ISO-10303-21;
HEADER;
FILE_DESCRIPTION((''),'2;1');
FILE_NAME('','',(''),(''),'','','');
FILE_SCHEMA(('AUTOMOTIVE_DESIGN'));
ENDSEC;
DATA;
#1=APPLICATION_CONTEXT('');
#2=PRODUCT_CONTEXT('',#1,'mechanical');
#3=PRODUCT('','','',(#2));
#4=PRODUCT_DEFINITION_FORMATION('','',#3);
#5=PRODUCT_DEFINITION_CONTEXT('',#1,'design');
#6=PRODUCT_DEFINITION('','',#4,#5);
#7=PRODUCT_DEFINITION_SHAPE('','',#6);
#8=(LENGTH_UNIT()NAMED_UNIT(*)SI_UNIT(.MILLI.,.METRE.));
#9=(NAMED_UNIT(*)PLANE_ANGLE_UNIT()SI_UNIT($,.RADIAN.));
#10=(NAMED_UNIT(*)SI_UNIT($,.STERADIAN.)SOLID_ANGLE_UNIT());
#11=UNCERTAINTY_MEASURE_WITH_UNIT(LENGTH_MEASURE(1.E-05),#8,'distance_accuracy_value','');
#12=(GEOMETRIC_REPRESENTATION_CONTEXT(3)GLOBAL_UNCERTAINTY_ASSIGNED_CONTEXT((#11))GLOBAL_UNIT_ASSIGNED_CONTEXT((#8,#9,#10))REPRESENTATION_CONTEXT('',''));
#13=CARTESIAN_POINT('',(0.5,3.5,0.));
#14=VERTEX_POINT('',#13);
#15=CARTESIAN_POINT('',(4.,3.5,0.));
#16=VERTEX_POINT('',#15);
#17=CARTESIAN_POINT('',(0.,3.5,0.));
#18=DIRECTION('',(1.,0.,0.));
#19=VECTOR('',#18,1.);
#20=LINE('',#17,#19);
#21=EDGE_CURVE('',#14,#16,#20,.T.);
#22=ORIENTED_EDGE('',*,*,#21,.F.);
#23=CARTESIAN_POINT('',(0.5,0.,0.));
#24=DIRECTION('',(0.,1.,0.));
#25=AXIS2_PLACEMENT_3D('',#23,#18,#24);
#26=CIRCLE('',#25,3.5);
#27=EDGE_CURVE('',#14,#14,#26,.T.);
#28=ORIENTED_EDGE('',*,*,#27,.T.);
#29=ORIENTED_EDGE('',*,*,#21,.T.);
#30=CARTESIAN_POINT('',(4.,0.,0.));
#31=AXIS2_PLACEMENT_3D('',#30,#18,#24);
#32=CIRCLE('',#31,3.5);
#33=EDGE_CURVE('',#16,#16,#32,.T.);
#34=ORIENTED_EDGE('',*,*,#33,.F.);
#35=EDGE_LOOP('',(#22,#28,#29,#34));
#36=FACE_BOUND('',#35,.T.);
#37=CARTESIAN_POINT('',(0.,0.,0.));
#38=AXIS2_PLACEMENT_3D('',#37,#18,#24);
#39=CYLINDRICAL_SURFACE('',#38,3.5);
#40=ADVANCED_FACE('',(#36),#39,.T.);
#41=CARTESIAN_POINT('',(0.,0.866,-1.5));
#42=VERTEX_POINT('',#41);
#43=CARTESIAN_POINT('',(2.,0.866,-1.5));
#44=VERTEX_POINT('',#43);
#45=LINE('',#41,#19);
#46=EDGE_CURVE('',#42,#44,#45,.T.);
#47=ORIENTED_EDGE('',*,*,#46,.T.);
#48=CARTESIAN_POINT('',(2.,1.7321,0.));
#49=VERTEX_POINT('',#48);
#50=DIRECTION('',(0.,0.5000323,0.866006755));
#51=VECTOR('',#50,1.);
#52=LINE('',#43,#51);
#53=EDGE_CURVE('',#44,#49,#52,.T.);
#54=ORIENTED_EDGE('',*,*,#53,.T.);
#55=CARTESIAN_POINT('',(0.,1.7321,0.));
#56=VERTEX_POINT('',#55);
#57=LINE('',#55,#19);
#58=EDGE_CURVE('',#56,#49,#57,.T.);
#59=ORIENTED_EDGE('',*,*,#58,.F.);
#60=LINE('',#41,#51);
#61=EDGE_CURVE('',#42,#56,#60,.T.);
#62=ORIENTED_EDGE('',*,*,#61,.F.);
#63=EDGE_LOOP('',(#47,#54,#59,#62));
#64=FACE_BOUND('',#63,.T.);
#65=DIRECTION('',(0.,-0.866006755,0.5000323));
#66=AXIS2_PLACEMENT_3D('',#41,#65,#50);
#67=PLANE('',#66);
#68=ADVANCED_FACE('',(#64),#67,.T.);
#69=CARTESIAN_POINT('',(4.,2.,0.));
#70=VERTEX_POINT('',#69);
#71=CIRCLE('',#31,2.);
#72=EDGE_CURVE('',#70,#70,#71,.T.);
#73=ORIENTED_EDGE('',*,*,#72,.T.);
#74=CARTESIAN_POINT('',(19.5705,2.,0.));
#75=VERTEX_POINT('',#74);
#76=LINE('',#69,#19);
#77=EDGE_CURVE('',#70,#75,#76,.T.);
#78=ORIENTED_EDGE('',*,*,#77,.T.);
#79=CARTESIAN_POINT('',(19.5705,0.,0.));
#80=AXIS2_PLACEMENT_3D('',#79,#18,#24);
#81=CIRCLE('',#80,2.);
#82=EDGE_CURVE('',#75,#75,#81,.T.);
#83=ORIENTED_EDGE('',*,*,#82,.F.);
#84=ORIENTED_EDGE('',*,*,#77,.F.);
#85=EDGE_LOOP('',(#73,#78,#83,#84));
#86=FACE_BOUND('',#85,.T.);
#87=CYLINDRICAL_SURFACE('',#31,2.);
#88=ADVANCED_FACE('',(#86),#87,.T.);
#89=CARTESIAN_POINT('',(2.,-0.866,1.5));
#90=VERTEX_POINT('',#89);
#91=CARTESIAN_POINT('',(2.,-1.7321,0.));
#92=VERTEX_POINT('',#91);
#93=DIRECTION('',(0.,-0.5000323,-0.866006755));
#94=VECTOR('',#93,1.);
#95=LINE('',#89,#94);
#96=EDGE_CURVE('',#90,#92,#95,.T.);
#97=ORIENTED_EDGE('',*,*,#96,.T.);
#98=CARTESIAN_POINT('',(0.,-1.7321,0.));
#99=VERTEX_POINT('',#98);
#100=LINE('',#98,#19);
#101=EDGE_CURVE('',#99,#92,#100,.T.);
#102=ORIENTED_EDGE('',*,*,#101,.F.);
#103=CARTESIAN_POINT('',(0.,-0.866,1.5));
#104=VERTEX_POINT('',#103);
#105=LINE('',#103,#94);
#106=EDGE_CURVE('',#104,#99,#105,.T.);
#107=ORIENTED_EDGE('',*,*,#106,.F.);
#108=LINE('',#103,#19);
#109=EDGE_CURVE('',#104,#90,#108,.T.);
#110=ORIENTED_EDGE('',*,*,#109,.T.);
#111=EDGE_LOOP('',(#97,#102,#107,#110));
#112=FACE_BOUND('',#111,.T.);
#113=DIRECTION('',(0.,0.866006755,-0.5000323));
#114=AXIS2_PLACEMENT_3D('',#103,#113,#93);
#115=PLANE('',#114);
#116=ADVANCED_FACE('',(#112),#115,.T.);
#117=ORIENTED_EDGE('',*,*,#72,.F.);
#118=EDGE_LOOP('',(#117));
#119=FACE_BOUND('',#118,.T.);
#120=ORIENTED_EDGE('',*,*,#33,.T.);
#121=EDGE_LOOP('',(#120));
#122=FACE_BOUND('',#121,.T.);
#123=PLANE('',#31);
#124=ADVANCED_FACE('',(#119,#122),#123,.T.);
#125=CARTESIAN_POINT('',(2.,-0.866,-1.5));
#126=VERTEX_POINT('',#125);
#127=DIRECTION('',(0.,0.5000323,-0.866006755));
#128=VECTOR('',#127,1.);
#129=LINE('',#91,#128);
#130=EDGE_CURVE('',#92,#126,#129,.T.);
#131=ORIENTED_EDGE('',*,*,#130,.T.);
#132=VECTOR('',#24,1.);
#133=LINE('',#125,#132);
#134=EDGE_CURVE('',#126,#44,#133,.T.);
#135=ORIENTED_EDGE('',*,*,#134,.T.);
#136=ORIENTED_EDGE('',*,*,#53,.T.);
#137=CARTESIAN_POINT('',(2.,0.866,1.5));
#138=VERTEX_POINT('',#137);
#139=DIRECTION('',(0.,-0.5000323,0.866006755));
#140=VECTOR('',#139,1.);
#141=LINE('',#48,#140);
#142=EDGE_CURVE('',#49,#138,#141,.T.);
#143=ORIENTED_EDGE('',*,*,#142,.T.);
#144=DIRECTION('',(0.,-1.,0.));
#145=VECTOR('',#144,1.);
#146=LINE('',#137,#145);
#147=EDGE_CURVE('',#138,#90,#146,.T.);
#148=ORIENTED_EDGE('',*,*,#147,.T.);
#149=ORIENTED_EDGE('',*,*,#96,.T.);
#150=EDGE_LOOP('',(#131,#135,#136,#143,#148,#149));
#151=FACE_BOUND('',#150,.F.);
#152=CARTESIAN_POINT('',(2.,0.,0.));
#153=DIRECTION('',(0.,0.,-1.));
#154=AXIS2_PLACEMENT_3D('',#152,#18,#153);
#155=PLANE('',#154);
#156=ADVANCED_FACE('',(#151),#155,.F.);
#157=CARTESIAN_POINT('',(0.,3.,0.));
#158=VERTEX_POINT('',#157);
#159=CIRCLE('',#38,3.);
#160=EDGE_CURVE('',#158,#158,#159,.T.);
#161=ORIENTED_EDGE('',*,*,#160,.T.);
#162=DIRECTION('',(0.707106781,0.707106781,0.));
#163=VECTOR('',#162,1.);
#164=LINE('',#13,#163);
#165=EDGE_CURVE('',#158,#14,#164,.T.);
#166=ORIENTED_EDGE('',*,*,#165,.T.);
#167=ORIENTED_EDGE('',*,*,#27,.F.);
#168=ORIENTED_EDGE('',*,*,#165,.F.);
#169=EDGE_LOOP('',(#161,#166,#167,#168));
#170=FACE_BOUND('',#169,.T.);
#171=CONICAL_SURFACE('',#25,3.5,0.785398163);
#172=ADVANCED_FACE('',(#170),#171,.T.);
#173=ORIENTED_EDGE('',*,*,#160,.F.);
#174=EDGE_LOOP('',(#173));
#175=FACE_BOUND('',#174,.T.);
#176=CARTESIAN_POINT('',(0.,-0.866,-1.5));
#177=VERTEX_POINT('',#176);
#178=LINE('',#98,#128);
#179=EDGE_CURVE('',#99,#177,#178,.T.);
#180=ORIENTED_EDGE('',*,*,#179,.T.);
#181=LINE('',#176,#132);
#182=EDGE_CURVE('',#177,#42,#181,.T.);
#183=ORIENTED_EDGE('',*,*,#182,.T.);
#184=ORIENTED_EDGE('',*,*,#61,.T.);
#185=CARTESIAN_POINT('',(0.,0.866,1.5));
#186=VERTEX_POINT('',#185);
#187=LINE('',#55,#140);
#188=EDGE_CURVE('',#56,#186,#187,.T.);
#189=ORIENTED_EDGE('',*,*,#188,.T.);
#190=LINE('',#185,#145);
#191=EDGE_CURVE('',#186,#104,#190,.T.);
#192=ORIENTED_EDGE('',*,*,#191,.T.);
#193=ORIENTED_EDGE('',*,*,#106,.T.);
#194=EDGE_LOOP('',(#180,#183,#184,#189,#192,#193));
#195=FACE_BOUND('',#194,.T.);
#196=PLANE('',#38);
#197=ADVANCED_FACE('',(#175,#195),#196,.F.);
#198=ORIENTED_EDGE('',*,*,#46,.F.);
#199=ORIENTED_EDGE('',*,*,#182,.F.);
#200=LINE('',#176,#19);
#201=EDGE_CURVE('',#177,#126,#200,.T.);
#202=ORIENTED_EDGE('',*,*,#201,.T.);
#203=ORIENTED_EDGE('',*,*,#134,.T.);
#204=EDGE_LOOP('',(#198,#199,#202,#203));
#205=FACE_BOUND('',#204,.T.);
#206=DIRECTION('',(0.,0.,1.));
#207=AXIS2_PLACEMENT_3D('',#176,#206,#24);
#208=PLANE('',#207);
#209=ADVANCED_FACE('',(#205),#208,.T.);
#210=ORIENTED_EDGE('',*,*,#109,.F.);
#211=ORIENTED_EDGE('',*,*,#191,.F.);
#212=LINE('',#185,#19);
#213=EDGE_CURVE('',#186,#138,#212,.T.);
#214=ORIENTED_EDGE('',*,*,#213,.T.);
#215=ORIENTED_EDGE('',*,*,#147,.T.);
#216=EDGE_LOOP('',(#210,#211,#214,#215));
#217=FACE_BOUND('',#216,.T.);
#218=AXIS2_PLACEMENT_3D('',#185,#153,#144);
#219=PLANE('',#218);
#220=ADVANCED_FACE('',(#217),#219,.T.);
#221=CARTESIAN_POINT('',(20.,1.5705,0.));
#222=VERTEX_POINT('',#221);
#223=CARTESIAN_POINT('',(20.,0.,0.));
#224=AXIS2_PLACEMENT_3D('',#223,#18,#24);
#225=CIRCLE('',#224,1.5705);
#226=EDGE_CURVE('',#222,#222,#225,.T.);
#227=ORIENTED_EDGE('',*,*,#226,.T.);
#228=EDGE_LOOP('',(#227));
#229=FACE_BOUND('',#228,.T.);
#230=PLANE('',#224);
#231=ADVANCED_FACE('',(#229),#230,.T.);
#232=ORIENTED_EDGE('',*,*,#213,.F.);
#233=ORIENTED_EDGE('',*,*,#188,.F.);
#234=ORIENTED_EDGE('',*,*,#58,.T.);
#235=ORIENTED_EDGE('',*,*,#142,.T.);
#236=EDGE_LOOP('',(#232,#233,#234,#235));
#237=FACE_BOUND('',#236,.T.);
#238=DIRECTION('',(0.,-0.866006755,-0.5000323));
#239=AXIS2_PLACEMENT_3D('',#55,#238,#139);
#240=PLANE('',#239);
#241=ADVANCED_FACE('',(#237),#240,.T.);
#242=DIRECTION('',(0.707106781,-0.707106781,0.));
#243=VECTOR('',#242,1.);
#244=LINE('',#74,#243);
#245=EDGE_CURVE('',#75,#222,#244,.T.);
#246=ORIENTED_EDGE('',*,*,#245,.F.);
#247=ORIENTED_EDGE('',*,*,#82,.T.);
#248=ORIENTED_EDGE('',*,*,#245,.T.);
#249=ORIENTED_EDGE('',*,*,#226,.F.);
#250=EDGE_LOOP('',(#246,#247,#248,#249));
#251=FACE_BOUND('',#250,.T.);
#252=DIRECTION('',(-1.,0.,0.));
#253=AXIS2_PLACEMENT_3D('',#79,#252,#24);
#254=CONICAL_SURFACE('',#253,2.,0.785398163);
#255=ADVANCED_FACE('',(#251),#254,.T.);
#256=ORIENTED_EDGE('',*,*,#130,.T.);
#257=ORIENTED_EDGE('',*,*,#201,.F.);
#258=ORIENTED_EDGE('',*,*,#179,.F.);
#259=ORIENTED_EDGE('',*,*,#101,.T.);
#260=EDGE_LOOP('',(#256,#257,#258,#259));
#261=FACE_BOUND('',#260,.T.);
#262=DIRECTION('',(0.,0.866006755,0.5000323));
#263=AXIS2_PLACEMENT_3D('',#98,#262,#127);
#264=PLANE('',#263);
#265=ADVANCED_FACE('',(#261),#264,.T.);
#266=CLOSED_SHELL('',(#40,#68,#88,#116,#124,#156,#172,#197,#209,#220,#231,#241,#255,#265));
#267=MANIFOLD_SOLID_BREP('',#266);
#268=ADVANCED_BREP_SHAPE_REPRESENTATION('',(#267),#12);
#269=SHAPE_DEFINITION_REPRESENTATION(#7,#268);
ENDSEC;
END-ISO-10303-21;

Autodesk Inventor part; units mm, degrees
sketch "__1" plane through (0, 0, 0) normal (0, 0, 1) x (1, 0, 0)
  line L0 (66, 0) -> (-66, 0)
  line L1 (0, 0) -> (0, 3.5)
  line L2 (0, 3.5) -> (4, 3.5)
  line L3 (4, 3.5) -> (4, 2)
  line L4 (4, 2) -> (19.5705, 2)
  line L5 (19.5705, 2) -> (20, 1.5705)
  line L6 (20, 1.5705) -> (20, 0)
  line L7 (20, 0) -> (0, 0)
revolve "Revolution1" add sketch "__1" angle 360 about axis through (66, 0, 0) along (1, 0, 0)
thread "Thread1" size "M4x0.7" class "6g" standard "ISO Metric profile" full length
sketch "__2" plane through (0, 0, 0) normal (1, 0, 0) x (0, 0, -1)
  line L0 (-1.5, -0.866) -> (0, -1.7321)
  line L1 (0, -1.7321) -> (1.5, -0.866)
  line L2 (1.5, -0.866) -> (1.5, 0.866)
  line L3 (1.5, 0.866) -> (0, 1.7321)
  line L4 (0, 1.7321) -> (-1.5, 0.866)
  line L5 (-1.5, 0.866) -> (-1.5, -0.866)
extrude "Extrusion1" cut sketch "__2" along normal blind 2
chamfer "Chamfer1" distance 0.5 angle 45 1 edges at (0, -3.5, 0)
ref_plane "PPBF_KEDS_XY" through (4, 0, 0) normal (-1, 0, 0) x (0, 0, -1)
ref_plane "PPBF_KEDS_YZ" through (4, 0, 0) normal (0, 0, -1) x (0, -1, 0)
ref_plane "PPBF_KEDS_ZX" through (4, 0, 0) normal (0, -1, 0) x (-1, 0, 0)
properties part number "CBB4-16"
